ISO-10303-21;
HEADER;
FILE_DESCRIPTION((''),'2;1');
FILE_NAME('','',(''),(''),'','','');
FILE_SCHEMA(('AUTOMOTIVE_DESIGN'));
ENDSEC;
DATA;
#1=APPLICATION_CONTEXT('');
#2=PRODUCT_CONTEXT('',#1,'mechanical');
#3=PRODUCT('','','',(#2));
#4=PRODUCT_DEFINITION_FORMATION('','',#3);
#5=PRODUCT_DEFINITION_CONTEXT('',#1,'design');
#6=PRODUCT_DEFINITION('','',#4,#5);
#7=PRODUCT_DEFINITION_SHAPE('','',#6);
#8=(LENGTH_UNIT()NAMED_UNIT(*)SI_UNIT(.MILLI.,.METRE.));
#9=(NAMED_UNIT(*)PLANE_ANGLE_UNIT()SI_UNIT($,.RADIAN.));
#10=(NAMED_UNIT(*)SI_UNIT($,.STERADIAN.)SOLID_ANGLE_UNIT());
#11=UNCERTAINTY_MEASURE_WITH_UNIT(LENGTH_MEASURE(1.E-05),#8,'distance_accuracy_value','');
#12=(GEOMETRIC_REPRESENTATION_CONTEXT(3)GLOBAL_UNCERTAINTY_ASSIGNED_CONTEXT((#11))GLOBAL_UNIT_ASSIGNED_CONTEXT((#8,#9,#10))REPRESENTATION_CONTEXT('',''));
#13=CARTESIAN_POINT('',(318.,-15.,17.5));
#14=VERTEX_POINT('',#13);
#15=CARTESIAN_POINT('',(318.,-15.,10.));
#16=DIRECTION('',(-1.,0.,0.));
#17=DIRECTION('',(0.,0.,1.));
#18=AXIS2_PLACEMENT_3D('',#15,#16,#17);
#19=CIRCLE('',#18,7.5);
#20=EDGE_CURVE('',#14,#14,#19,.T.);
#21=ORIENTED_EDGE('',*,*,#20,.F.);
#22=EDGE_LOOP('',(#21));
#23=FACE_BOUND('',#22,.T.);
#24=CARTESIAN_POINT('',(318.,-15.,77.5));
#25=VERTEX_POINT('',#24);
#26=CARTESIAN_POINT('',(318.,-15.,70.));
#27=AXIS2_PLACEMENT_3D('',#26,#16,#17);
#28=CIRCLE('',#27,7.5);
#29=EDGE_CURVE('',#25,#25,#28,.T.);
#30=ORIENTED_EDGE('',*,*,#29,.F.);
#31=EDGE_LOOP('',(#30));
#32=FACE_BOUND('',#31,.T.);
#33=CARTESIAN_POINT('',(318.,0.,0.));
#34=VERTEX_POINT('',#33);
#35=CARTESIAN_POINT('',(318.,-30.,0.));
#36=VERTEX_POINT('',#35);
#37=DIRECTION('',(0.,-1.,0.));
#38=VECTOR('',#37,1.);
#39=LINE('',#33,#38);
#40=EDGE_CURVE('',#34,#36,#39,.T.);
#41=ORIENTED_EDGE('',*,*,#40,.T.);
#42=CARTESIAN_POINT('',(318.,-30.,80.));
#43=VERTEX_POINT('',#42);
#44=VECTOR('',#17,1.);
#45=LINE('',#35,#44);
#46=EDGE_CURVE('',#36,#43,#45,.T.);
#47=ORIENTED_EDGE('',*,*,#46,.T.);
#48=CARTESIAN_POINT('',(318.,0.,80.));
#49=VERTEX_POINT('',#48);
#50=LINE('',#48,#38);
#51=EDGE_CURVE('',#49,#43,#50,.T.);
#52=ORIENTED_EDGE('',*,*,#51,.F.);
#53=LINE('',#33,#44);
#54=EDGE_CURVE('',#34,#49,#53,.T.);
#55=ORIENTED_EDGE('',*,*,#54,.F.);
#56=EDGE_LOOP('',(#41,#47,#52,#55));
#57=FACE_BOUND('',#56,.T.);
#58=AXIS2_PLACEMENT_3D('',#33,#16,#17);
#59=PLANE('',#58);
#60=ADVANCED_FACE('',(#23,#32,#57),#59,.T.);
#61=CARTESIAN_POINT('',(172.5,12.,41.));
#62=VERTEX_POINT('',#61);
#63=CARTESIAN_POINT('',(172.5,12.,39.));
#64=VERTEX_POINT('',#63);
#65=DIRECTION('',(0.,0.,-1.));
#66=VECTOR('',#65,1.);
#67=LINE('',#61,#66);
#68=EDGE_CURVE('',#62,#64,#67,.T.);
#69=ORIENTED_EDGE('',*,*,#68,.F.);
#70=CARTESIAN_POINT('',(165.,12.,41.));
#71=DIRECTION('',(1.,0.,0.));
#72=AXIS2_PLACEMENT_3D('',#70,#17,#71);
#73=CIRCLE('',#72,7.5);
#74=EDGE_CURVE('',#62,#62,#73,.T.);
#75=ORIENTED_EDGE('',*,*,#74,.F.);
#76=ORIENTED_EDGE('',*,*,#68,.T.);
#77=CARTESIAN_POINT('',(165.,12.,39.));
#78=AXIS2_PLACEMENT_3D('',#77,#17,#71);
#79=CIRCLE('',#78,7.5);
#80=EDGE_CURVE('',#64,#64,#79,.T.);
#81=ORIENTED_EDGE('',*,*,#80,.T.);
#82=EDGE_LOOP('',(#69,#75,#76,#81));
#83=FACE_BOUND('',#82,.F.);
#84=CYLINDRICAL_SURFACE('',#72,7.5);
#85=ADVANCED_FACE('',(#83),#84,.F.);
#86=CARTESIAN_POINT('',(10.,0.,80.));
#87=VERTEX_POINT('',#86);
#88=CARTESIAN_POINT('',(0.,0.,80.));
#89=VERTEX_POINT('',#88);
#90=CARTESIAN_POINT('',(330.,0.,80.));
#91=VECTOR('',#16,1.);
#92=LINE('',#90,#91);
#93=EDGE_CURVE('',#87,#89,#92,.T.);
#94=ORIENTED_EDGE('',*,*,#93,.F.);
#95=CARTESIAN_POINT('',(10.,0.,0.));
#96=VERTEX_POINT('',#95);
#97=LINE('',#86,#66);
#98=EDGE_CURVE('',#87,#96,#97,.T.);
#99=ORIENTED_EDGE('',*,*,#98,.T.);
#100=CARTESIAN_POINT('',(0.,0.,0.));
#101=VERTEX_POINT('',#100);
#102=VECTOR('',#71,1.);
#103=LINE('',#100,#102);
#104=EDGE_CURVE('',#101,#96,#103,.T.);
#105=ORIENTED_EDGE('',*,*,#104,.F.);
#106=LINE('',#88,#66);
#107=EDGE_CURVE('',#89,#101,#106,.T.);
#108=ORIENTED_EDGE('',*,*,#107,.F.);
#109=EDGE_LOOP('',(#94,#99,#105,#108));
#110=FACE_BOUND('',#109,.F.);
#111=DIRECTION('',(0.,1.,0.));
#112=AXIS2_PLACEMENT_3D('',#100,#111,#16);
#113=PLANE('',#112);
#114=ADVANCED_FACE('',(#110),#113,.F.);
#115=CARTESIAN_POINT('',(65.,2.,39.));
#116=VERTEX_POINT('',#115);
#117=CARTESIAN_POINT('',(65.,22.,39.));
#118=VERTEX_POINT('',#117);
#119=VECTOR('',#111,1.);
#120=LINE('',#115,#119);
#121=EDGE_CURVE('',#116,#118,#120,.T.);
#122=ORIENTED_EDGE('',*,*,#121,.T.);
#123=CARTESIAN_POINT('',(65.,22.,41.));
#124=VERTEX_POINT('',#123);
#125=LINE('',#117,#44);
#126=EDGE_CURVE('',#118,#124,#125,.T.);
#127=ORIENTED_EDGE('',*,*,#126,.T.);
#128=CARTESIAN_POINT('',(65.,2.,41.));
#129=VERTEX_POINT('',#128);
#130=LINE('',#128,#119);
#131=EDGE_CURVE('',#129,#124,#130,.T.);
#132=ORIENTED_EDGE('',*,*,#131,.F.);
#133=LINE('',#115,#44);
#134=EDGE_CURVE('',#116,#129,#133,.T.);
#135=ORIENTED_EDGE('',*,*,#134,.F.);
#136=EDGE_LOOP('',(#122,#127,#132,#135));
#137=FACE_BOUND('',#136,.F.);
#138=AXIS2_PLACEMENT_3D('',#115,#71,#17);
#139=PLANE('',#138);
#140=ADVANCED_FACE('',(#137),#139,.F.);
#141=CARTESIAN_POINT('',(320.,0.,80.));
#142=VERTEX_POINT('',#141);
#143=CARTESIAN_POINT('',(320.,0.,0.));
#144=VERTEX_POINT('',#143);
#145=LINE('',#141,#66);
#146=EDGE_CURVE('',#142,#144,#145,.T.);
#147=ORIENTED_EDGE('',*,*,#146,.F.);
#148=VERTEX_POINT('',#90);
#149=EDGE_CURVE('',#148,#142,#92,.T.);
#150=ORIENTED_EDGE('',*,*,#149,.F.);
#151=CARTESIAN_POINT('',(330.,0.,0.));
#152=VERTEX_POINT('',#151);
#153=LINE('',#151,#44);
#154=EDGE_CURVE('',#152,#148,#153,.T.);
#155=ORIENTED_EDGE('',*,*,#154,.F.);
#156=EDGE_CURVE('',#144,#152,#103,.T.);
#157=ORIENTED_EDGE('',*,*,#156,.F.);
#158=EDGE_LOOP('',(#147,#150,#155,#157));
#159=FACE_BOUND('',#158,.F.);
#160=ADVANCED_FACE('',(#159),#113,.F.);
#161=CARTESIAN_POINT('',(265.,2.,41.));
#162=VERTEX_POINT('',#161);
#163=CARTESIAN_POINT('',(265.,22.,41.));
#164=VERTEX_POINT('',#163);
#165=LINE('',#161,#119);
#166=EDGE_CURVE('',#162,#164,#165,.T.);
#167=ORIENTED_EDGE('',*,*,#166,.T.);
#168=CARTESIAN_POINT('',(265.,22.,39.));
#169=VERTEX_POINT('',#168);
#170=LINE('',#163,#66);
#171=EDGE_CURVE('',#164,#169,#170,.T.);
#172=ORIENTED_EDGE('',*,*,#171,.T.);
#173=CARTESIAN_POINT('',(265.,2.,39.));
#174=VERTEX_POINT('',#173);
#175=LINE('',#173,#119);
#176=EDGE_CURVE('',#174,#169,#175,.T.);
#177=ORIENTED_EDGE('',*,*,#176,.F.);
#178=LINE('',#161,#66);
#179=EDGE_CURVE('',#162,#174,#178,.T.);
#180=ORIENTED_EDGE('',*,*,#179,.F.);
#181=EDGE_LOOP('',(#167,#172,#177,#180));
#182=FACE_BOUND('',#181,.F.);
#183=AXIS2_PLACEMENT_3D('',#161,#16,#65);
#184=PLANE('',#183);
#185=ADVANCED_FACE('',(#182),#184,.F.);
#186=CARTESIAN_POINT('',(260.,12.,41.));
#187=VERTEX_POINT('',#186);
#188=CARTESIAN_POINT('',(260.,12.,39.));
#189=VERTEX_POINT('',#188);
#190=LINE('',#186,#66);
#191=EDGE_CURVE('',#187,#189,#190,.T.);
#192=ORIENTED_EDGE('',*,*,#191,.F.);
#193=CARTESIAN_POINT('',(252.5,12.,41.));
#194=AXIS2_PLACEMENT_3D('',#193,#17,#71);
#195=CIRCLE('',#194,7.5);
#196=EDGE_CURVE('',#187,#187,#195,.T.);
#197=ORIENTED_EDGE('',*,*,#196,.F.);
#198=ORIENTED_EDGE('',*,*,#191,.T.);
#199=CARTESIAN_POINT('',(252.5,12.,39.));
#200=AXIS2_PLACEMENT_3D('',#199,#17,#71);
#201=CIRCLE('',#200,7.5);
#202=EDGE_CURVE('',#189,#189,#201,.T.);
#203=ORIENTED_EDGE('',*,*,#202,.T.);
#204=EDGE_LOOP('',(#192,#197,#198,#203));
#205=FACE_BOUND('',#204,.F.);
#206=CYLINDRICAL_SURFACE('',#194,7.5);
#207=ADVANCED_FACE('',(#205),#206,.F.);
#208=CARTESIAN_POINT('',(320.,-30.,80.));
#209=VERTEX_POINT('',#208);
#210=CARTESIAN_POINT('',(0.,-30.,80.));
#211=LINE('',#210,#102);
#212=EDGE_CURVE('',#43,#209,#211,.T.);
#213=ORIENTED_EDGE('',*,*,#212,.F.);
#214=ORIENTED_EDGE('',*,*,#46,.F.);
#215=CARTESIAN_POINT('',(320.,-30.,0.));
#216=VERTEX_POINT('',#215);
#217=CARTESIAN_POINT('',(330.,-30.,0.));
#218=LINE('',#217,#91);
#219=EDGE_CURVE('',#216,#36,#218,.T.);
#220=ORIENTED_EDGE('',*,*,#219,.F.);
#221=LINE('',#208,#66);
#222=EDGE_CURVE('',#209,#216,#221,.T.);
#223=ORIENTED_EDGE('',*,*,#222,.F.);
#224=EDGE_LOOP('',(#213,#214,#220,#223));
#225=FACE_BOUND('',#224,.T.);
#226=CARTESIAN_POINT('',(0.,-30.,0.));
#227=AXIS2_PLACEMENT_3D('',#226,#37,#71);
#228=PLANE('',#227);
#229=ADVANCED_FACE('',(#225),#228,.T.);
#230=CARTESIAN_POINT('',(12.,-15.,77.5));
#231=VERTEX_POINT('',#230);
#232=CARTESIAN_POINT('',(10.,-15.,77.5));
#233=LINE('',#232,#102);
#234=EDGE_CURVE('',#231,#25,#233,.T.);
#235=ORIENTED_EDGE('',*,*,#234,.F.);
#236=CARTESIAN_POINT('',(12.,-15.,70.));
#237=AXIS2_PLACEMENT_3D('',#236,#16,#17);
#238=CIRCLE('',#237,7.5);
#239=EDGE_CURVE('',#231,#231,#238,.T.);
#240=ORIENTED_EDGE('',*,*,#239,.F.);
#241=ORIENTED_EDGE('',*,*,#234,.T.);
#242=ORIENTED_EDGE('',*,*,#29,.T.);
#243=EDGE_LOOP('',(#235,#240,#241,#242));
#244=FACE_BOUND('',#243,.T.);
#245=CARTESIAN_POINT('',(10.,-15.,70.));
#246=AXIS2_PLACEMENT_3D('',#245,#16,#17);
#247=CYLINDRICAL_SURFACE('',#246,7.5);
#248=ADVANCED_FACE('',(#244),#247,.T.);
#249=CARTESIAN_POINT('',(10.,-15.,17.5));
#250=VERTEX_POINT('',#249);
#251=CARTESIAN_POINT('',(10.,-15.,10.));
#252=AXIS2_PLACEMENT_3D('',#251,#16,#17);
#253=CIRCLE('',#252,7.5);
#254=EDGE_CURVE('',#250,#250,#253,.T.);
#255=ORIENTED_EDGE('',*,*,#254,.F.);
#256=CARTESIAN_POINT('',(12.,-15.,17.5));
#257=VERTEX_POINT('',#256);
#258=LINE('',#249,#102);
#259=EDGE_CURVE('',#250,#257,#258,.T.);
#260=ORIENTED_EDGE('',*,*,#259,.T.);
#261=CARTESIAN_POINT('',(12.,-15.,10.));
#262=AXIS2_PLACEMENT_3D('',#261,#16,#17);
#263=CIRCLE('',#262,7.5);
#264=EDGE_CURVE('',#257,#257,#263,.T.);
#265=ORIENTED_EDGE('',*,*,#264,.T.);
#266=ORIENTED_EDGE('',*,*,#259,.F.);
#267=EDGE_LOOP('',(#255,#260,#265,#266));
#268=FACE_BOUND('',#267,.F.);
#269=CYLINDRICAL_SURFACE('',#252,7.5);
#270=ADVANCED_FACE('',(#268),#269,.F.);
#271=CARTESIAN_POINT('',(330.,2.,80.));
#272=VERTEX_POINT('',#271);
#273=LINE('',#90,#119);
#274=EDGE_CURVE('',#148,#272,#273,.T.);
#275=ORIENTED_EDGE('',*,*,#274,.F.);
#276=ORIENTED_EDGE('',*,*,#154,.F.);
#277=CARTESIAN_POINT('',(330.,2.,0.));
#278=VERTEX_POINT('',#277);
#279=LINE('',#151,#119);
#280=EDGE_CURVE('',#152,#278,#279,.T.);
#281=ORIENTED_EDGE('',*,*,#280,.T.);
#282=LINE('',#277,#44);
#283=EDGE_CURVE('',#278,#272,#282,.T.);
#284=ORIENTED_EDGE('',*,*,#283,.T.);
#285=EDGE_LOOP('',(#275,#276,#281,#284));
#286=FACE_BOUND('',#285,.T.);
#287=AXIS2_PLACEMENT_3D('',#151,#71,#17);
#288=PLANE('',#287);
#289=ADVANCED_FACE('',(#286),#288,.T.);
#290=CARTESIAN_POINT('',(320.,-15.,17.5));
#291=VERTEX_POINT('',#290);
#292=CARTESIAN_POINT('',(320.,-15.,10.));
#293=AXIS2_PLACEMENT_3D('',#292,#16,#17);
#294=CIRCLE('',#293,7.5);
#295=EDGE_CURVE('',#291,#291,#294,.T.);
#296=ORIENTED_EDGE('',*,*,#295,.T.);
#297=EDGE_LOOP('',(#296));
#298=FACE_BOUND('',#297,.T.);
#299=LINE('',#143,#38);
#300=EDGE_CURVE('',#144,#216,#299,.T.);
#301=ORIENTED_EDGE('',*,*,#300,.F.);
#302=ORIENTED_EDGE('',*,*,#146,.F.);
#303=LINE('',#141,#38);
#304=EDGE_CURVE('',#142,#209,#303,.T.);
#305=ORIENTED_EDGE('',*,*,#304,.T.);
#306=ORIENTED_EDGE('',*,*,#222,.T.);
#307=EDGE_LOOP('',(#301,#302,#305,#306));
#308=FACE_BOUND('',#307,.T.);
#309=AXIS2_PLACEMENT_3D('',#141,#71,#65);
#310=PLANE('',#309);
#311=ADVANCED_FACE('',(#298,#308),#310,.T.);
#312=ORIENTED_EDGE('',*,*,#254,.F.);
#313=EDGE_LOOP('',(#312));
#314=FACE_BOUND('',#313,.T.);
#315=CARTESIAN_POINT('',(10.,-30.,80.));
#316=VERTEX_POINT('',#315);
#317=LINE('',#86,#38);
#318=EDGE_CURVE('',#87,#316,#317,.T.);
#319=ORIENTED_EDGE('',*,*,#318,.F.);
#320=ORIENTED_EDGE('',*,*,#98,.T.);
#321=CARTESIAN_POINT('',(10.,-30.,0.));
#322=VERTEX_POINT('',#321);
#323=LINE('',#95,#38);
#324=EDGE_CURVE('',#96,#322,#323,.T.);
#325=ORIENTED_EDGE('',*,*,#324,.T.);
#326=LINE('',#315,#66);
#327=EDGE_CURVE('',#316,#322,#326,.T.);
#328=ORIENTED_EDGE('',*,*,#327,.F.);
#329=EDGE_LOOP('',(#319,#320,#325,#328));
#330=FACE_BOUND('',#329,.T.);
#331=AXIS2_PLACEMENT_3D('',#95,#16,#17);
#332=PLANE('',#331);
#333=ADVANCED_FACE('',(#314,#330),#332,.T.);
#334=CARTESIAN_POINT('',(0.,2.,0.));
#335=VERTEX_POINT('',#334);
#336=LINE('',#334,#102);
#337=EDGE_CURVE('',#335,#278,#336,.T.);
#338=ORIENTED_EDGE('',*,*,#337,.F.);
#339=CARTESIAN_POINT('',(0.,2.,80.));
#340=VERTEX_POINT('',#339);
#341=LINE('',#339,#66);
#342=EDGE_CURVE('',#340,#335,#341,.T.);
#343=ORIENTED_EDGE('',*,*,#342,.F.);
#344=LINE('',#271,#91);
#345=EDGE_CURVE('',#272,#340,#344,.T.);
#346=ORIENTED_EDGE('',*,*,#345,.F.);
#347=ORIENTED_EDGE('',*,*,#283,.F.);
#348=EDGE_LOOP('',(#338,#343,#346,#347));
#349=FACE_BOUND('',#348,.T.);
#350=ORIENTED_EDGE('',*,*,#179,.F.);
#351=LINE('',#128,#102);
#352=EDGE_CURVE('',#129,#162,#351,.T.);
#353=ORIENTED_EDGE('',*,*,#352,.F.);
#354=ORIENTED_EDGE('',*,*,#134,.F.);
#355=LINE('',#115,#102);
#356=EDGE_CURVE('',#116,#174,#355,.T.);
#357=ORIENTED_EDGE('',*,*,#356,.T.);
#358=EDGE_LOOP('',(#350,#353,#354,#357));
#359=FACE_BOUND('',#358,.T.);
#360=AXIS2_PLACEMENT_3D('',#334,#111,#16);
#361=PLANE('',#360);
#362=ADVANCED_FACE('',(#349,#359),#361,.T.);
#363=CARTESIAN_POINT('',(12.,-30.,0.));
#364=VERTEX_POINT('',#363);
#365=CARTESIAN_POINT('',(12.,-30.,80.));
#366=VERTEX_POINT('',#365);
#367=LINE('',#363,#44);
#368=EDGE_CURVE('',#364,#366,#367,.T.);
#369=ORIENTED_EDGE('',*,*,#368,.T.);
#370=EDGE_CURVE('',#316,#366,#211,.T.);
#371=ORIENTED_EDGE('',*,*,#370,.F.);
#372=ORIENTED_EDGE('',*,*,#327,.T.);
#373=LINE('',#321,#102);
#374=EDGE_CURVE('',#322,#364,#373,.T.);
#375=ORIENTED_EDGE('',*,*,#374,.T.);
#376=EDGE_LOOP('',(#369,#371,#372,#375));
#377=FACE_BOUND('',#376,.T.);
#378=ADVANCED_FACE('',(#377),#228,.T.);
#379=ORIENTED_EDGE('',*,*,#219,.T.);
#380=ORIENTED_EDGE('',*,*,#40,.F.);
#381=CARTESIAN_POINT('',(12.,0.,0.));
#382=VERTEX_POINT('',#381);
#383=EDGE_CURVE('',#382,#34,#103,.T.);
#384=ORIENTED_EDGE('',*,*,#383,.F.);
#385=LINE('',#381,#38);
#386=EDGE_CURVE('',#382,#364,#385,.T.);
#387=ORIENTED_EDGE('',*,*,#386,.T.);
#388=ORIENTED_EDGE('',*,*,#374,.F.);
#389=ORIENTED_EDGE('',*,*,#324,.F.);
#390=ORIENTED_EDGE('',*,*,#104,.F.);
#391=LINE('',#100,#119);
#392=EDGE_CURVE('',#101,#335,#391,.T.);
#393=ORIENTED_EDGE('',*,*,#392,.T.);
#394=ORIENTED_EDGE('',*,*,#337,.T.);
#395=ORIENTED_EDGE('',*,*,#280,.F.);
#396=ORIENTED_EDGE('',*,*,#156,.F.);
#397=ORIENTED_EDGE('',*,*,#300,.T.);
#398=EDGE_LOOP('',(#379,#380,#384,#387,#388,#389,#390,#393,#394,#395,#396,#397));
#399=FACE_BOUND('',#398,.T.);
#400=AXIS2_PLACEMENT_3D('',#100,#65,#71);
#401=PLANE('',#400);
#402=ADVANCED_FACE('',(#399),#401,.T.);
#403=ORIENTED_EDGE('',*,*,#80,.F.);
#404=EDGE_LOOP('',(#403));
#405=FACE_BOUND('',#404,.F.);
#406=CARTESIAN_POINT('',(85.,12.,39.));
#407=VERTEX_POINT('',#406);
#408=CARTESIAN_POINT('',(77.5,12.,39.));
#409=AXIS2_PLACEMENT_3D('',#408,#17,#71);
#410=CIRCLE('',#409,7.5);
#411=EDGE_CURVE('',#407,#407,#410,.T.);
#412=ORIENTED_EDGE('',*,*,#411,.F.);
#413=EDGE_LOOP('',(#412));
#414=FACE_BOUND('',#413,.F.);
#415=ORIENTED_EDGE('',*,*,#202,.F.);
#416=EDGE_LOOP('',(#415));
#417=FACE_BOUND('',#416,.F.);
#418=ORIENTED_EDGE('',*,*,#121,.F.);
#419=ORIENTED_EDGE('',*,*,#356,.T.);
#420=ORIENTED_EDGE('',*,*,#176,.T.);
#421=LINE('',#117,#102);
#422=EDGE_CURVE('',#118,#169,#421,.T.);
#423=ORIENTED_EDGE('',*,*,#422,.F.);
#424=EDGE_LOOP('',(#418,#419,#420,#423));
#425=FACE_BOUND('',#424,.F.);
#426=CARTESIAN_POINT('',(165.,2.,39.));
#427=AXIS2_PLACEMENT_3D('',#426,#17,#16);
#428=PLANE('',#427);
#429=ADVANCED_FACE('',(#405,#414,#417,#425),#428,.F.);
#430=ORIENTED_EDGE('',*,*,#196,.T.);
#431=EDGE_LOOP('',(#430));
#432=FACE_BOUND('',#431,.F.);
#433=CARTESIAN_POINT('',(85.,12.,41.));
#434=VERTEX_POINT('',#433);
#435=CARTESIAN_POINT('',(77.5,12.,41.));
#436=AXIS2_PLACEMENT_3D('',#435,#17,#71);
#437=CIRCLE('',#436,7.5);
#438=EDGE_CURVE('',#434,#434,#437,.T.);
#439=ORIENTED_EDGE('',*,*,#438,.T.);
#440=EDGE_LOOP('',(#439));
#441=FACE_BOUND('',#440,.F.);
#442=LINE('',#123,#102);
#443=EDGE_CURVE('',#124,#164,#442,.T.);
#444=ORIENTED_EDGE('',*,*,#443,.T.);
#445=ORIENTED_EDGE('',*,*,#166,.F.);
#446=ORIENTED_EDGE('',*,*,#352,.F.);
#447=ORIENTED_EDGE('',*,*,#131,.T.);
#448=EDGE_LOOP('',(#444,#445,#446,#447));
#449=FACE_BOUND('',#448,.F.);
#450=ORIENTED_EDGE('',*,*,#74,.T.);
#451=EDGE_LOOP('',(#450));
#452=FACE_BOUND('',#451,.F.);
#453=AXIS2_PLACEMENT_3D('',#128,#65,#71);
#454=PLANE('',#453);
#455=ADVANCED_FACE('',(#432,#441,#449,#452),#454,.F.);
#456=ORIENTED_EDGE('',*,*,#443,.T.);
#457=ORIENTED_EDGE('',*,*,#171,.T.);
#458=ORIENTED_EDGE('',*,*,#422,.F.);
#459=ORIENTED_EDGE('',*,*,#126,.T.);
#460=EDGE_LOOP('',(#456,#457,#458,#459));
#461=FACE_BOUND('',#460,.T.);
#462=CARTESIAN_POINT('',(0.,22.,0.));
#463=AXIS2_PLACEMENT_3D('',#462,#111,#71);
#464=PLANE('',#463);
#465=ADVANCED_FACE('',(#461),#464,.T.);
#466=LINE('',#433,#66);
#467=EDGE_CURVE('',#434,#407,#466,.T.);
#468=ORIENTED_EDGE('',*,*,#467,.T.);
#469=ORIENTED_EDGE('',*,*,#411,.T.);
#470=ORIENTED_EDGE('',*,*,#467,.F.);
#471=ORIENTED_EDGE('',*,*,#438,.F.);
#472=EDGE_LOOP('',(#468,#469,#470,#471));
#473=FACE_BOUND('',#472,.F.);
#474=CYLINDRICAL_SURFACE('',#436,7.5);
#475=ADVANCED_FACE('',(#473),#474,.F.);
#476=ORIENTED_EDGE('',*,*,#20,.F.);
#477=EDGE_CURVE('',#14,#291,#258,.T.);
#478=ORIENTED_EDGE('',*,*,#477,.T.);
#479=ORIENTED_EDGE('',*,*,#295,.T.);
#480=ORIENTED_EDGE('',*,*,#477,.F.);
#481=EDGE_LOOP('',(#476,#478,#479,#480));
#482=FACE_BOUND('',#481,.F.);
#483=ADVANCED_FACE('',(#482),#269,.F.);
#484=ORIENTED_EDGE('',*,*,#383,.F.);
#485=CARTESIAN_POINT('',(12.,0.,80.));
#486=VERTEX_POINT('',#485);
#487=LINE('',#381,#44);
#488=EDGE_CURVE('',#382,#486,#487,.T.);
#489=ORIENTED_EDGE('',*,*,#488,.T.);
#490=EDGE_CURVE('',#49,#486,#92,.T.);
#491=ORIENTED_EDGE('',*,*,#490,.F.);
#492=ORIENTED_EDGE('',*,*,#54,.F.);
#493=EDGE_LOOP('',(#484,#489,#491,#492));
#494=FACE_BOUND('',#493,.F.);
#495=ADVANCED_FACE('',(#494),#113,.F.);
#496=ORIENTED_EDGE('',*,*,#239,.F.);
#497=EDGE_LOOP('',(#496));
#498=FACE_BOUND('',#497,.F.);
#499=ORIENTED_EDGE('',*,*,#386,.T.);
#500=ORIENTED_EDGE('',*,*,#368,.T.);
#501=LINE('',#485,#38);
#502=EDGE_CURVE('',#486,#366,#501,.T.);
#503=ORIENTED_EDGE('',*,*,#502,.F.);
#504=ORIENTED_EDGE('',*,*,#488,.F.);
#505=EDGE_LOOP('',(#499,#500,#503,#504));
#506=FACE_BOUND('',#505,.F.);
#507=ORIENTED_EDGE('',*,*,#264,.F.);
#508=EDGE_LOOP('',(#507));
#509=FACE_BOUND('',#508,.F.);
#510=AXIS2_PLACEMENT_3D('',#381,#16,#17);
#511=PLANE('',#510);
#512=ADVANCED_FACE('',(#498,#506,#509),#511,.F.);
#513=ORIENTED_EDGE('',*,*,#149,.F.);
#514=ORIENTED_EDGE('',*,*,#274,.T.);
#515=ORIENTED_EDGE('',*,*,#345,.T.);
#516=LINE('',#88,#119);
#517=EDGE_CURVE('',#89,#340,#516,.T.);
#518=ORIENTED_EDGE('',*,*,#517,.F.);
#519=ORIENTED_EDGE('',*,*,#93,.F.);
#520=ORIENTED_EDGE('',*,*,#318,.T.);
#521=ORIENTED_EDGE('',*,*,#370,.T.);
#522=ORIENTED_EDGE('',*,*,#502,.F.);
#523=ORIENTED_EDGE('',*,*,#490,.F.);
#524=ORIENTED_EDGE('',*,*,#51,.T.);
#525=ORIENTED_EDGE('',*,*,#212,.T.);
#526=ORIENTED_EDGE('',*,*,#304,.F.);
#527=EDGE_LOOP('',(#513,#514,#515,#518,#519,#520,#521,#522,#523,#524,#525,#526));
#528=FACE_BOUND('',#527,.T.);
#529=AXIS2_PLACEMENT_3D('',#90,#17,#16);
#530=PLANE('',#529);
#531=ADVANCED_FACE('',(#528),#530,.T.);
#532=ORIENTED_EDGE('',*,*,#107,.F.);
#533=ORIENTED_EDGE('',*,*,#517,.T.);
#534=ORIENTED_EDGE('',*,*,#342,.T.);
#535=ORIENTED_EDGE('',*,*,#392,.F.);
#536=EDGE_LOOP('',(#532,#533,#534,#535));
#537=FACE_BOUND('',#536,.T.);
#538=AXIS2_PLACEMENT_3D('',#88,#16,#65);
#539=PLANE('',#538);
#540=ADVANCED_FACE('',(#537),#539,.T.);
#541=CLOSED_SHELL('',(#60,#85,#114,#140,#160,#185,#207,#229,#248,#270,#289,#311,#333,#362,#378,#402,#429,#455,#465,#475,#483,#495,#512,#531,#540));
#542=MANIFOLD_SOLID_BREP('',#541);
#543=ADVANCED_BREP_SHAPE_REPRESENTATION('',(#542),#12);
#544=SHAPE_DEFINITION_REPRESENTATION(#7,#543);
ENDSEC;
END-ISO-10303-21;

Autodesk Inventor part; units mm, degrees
ref_plane "YZ Plane" through (0, 0, 0) normal (1, 0, 0) x (0, 1, 0)
ref_plane "XZ Plane" through (0, 0, 0) normal (0, 1, 0) x (-1, 0, 0)
ref_plane "XY Plane" through (0, 0, 0) normal (0, 0, 1) x (1, 0, 0)
sketch "Sketch1" plane through (0, 0, 0) normal (0, 0, 1) x (1, 0, 0)
  point P0 (0, 0)
sketch "Sketch2" plane through (0, 0, 0) normal (0, 1, 0) x (-1, 0, 0)
  line L0 (0, 0) -> (-330, 0)
  line L1 (-330, 0) -> (-330, 80)
  line L2 (-330, 80) -> (0, 80)
  line L3 (0, 80) -> (0, 0)
  dimension "d0" = 330
  dimension "d1" = 80
extrude "Extrusion1" add sketch "Sketch2" along normal blind 2
sketch "Sketch3" plane through (0, 2, 0) normal (0, 1, 0) x (1, 0, 0)
  line L0 (0, 0) -> (0, -80) projected
  line L1 (330, -80) -> (330, 0) projected
  line L2 (0, -39) -> (0, -41)
  line L3 (330, -39) -> (330, -41)
  line L4 (165, -39) -> (65, -39)
  line L5 (65, -39) -> (65, -41)
  line L6 (65, -41) -> (265, -41)
  line L7 (265, -41) -> (265, -39)
  line L8 (165, -39) -> (265, -39)
  dimension "d5" = 165
  dimension "d6" = 100
  dimension "d7" = 2
  dimension "d8" = 200
extrude "Extrusion2" add sketch "Sketch3" along normal blind 20
sketch "Sketch4" plane through (65, 2, 41) normal (0, 0, 1) x (1, 0, 0)
  circle A0 centre (100, 10) radius 7.5
  circle A1 centre (12.5, 10) radius 7.5
  circle A2 centre (187.5, 10) radius 7.5
  point P0 (-65, -2)
  dimension "d11" = 15
  dimension "d12" = 15
  dimension "d13" = 15
extrude "Extrusion3" cut sketch "Sketch4" against normal through all
sketch "Sketch5" plane through (0, 0, 0) normal (0, -1, 0) x (1, 0, 0)
  line L0 (0, 80) -> (330, 80) projected
  line L1 (10, 0) -> (12, 0)
  line L2 (12, 0) -> (12, 80)
  line L3 (12, 80) -> (10, 80)
  line L4 (10, 80) -> (10, 0)
  line L5 (330, 0) -> (0, 0) projected
  line L6 (320, 0) -> (318, 0)
  line L7 (318, 0) -> (318, 80)
  line L8 (318, 80) -> (320, 80)
  line L9 (320, 80) -> (320, 0)
  dimension "d16" = 2
  dimension "d17" = 2
extrude "Extrusion4" add sketch "Sketch5" along normal blind 30 contours L0 L2 L1 L4 | L0 L9 L5 L7
sketch "Sketch6" plane through (10, 0, 0) normal (-1, 0, 0) x (0, 0, 1)
  circle A0 centre (70, -15) radius 7.5
  point P0 (0, 0)
  dimension "d23" = 15
extrude "Extrusion5" add sketch "Sketch6" against normal blind 310
sketch "Sketch7" plane through (10, 0, 0) normal (-1, 0, 0) x (0, 0, 1)
  circle A0 centre (10, -15) radius 7.5
  point P0 (0, 0)
  dimension "d26" = 15
extrude "Extrusion6" cut sketch "Sketch7" against normal through all
properties part number "Claw_Platform_2"
